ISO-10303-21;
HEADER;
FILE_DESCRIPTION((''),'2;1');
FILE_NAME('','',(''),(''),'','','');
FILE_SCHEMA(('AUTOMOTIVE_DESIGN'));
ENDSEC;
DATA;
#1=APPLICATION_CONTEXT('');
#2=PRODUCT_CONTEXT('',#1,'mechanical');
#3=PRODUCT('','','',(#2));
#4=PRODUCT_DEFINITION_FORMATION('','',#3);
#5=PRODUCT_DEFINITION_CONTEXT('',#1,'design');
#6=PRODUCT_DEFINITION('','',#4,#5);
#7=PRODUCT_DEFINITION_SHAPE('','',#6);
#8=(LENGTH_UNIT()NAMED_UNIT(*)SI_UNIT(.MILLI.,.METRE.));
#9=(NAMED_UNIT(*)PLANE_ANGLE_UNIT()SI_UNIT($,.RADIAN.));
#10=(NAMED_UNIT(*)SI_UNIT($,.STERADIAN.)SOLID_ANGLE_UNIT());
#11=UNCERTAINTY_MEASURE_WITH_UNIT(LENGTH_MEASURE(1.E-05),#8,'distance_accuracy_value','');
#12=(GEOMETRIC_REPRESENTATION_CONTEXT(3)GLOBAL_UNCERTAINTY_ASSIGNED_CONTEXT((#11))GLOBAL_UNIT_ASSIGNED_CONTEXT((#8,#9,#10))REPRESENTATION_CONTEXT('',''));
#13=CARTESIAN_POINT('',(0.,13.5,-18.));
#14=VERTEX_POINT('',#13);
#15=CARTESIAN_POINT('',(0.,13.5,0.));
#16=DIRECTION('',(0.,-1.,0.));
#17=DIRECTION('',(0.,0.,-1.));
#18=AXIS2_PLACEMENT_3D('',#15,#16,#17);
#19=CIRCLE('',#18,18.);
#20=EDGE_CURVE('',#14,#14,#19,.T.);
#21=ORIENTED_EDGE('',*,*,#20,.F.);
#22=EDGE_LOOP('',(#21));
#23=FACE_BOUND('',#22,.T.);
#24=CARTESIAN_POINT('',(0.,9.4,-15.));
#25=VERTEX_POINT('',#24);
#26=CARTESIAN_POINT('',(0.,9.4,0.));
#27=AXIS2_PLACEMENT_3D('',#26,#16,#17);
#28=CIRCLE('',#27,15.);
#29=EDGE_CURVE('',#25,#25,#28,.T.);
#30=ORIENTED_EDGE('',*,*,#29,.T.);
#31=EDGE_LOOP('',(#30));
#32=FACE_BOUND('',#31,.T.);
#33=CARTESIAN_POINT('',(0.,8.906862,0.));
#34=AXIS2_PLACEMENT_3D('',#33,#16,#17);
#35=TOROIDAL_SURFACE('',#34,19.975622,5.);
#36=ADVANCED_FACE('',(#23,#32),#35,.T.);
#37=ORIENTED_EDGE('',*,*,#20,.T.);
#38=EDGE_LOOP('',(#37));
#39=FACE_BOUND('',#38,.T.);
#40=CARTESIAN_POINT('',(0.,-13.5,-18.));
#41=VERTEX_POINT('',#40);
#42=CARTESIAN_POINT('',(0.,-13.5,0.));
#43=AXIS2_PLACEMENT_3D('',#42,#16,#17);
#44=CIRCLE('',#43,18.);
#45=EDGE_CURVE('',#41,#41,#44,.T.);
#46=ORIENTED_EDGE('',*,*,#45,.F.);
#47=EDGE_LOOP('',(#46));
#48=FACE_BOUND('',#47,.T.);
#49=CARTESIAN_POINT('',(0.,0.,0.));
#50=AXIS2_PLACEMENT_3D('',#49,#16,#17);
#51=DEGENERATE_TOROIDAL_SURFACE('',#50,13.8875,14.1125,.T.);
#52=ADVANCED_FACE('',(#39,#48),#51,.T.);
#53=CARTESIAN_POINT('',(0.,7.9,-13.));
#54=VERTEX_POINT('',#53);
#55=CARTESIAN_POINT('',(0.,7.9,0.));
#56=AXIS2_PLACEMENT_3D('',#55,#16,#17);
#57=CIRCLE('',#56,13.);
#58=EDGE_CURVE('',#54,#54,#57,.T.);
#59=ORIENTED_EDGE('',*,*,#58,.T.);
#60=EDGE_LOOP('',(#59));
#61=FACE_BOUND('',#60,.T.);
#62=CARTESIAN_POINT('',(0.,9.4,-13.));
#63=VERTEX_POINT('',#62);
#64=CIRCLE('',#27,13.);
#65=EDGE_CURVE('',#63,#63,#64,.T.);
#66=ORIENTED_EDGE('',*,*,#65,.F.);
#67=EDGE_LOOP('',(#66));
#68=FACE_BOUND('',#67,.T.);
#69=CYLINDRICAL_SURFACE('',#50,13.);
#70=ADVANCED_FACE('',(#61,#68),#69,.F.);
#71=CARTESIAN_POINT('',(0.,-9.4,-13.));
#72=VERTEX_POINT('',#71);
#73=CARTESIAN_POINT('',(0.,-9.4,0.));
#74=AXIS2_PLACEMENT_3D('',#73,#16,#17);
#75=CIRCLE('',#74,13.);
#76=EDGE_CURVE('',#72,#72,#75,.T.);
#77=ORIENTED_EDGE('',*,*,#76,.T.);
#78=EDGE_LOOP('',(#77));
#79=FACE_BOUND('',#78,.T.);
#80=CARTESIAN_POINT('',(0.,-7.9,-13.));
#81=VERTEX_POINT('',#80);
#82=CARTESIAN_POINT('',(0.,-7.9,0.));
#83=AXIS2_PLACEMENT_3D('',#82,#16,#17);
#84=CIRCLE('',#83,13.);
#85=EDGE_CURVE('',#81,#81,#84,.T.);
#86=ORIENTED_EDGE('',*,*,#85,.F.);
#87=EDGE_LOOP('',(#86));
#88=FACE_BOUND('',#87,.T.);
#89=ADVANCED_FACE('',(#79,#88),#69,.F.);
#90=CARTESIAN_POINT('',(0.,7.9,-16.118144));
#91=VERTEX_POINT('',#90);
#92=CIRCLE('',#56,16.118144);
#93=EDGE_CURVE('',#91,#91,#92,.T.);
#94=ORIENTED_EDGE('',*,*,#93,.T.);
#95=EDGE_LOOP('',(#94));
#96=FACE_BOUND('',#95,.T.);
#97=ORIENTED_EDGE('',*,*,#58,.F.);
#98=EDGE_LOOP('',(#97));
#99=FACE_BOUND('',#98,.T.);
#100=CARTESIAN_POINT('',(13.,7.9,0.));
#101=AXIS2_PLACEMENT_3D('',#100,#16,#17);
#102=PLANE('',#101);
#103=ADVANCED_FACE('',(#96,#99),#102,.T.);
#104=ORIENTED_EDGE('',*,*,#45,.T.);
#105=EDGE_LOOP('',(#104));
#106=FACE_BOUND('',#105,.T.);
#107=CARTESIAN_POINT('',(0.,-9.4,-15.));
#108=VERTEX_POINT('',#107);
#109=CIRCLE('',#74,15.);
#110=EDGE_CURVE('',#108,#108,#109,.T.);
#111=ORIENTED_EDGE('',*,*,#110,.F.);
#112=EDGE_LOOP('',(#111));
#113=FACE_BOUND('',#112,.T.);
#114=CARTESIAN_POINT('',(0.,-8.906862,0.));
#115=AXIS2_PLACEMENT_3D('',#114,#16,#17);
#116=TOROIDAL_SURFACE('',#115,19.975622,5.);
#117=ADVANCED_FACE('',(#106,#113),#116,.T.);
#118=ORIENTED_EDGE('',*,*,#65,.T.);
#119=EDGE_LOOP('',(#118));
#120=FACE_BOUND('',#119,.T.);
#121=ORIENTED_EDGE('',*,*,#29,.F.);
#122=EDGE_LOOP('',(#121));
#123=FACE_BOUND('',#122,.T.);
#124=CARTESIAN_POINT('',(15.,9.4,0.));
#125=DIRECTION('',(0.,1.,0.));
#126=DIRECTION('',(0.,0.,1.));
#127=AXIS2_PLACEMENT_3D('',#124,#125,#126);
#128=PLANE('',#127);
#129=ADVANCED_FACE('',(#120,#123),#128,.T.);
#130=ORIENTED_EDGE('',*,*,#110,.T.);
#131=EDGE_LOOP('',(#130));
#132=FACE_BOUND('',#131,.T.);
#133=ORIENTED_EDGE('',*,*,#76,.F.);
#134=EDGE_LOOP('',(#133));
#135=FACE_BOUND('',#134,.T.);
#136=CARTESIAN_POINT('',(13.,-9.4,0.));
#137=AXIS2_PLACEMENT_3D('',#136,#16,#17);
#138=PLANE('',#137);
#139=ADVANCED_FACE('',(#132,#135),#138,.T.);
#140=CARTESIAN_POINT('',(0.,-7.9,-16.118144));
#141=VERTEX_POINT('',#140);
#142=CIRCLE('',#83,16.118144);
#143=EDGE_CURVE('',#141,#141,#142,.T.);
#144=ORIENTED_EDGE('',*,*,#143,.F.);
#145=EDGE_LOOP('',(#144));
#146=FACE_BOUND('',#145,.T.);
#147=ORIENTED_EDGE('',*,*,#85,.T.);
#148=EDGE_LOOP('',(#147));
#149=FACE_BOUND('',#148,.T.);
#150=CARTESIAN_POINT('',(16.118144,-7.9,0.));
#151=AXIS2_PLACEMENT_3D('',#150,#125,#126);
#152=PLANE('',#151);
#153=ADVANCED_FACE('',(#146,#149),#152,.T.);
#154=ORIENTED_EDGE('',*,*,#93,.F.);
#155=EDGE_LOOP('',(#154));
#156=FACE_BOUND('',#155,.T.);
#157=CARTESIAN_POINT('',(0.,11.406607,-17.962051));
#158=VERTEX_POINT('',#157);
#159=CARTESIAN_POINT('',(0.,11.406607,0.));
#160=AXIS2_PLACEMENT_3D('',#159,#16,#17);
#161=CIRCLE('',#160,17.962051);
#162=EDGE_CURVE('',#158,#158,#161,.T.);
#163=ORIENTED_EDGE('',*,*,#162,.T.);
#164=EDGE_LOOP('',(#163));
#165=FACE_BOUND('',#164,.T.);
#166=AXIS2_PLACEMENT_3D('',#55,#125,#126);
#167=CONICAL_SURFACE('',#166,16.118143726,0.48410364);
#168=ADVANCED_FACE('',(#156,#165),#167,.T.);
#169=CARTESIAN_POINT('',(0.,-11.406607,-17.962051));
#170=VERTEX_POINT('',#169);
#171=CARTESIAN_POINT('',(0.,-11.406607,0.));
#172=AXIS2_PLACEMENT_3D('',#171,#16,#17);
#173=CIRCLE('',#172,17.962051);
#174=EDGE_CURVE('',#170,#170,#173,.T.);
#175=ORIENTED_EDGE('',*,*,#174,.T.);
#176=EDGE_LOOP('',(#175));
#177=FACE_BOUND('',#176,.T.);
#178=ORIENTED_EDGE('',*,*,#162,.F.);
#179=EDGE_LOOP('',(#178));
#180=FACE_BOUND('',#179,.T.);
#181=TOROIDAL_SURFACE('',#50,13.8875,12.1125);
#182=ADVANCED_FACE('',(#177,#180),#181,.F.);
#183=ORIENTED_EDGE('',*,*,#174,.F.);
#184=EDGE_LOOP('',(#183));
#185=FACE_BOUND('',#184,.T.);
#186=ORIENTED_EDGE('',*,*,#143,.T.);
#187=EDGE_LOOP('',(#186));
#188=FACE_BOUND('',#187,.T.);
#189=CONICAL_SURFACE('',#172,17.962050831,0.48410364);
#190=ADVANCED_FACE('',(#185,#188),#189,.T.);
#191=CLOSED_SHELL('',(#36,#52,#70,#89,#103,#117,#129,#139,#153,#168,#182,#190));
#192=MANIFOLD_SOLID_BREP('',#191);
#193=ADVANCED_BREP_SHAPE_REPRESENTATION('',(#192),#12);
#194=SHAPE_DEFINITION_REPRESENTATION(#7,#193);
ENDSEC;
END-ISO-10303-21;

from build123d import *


with BuildPart() as part:
    # Sketch1 → Revolve1 (revolve)
    with BuildSketch(Plane.XY, mode=Mode.PRIVATE) as revolve1_sk:
        with BuildLine():
            Line((15, 9.4), (13, 9.4))
            Line((13, 9.4), (13, 7.9))
            Line((13, 7.9), (16.118143726, 7.9))
            Line((16.118143726, 7.9), (17.962050831, 11.406607374))
            ThreePointArc((17.962050831, 11.406607374), (26, 0), (17.962050831, -11.406607374))
            Line((17.962050831, -11.406607374), (16.118143726, -7.9))
            Line((16.118143726, -7.9), (13, -7.9))
            Line((13, -7.9), (13, -9.4))
            Line((13, -9.4), (15, -9.4))
            ThreePointArc((15, -9.4), (15.940470426, -11.859411884), (18, -13.5))
            ThreePointArc((18, -13.5), (28, 0), (18, 13.5))
            ThreePointArc((18, 13.5), (15.940470426, 11.859411884), (15, 9.4))
        make_face()
    revolve(revolve1_sk.sketch.rotate(Axis((0, 0, 0), (0, 1, 0)), 90), axis=Axis((0, 0, 0), (0, 1, 0)))


solid = part.part
